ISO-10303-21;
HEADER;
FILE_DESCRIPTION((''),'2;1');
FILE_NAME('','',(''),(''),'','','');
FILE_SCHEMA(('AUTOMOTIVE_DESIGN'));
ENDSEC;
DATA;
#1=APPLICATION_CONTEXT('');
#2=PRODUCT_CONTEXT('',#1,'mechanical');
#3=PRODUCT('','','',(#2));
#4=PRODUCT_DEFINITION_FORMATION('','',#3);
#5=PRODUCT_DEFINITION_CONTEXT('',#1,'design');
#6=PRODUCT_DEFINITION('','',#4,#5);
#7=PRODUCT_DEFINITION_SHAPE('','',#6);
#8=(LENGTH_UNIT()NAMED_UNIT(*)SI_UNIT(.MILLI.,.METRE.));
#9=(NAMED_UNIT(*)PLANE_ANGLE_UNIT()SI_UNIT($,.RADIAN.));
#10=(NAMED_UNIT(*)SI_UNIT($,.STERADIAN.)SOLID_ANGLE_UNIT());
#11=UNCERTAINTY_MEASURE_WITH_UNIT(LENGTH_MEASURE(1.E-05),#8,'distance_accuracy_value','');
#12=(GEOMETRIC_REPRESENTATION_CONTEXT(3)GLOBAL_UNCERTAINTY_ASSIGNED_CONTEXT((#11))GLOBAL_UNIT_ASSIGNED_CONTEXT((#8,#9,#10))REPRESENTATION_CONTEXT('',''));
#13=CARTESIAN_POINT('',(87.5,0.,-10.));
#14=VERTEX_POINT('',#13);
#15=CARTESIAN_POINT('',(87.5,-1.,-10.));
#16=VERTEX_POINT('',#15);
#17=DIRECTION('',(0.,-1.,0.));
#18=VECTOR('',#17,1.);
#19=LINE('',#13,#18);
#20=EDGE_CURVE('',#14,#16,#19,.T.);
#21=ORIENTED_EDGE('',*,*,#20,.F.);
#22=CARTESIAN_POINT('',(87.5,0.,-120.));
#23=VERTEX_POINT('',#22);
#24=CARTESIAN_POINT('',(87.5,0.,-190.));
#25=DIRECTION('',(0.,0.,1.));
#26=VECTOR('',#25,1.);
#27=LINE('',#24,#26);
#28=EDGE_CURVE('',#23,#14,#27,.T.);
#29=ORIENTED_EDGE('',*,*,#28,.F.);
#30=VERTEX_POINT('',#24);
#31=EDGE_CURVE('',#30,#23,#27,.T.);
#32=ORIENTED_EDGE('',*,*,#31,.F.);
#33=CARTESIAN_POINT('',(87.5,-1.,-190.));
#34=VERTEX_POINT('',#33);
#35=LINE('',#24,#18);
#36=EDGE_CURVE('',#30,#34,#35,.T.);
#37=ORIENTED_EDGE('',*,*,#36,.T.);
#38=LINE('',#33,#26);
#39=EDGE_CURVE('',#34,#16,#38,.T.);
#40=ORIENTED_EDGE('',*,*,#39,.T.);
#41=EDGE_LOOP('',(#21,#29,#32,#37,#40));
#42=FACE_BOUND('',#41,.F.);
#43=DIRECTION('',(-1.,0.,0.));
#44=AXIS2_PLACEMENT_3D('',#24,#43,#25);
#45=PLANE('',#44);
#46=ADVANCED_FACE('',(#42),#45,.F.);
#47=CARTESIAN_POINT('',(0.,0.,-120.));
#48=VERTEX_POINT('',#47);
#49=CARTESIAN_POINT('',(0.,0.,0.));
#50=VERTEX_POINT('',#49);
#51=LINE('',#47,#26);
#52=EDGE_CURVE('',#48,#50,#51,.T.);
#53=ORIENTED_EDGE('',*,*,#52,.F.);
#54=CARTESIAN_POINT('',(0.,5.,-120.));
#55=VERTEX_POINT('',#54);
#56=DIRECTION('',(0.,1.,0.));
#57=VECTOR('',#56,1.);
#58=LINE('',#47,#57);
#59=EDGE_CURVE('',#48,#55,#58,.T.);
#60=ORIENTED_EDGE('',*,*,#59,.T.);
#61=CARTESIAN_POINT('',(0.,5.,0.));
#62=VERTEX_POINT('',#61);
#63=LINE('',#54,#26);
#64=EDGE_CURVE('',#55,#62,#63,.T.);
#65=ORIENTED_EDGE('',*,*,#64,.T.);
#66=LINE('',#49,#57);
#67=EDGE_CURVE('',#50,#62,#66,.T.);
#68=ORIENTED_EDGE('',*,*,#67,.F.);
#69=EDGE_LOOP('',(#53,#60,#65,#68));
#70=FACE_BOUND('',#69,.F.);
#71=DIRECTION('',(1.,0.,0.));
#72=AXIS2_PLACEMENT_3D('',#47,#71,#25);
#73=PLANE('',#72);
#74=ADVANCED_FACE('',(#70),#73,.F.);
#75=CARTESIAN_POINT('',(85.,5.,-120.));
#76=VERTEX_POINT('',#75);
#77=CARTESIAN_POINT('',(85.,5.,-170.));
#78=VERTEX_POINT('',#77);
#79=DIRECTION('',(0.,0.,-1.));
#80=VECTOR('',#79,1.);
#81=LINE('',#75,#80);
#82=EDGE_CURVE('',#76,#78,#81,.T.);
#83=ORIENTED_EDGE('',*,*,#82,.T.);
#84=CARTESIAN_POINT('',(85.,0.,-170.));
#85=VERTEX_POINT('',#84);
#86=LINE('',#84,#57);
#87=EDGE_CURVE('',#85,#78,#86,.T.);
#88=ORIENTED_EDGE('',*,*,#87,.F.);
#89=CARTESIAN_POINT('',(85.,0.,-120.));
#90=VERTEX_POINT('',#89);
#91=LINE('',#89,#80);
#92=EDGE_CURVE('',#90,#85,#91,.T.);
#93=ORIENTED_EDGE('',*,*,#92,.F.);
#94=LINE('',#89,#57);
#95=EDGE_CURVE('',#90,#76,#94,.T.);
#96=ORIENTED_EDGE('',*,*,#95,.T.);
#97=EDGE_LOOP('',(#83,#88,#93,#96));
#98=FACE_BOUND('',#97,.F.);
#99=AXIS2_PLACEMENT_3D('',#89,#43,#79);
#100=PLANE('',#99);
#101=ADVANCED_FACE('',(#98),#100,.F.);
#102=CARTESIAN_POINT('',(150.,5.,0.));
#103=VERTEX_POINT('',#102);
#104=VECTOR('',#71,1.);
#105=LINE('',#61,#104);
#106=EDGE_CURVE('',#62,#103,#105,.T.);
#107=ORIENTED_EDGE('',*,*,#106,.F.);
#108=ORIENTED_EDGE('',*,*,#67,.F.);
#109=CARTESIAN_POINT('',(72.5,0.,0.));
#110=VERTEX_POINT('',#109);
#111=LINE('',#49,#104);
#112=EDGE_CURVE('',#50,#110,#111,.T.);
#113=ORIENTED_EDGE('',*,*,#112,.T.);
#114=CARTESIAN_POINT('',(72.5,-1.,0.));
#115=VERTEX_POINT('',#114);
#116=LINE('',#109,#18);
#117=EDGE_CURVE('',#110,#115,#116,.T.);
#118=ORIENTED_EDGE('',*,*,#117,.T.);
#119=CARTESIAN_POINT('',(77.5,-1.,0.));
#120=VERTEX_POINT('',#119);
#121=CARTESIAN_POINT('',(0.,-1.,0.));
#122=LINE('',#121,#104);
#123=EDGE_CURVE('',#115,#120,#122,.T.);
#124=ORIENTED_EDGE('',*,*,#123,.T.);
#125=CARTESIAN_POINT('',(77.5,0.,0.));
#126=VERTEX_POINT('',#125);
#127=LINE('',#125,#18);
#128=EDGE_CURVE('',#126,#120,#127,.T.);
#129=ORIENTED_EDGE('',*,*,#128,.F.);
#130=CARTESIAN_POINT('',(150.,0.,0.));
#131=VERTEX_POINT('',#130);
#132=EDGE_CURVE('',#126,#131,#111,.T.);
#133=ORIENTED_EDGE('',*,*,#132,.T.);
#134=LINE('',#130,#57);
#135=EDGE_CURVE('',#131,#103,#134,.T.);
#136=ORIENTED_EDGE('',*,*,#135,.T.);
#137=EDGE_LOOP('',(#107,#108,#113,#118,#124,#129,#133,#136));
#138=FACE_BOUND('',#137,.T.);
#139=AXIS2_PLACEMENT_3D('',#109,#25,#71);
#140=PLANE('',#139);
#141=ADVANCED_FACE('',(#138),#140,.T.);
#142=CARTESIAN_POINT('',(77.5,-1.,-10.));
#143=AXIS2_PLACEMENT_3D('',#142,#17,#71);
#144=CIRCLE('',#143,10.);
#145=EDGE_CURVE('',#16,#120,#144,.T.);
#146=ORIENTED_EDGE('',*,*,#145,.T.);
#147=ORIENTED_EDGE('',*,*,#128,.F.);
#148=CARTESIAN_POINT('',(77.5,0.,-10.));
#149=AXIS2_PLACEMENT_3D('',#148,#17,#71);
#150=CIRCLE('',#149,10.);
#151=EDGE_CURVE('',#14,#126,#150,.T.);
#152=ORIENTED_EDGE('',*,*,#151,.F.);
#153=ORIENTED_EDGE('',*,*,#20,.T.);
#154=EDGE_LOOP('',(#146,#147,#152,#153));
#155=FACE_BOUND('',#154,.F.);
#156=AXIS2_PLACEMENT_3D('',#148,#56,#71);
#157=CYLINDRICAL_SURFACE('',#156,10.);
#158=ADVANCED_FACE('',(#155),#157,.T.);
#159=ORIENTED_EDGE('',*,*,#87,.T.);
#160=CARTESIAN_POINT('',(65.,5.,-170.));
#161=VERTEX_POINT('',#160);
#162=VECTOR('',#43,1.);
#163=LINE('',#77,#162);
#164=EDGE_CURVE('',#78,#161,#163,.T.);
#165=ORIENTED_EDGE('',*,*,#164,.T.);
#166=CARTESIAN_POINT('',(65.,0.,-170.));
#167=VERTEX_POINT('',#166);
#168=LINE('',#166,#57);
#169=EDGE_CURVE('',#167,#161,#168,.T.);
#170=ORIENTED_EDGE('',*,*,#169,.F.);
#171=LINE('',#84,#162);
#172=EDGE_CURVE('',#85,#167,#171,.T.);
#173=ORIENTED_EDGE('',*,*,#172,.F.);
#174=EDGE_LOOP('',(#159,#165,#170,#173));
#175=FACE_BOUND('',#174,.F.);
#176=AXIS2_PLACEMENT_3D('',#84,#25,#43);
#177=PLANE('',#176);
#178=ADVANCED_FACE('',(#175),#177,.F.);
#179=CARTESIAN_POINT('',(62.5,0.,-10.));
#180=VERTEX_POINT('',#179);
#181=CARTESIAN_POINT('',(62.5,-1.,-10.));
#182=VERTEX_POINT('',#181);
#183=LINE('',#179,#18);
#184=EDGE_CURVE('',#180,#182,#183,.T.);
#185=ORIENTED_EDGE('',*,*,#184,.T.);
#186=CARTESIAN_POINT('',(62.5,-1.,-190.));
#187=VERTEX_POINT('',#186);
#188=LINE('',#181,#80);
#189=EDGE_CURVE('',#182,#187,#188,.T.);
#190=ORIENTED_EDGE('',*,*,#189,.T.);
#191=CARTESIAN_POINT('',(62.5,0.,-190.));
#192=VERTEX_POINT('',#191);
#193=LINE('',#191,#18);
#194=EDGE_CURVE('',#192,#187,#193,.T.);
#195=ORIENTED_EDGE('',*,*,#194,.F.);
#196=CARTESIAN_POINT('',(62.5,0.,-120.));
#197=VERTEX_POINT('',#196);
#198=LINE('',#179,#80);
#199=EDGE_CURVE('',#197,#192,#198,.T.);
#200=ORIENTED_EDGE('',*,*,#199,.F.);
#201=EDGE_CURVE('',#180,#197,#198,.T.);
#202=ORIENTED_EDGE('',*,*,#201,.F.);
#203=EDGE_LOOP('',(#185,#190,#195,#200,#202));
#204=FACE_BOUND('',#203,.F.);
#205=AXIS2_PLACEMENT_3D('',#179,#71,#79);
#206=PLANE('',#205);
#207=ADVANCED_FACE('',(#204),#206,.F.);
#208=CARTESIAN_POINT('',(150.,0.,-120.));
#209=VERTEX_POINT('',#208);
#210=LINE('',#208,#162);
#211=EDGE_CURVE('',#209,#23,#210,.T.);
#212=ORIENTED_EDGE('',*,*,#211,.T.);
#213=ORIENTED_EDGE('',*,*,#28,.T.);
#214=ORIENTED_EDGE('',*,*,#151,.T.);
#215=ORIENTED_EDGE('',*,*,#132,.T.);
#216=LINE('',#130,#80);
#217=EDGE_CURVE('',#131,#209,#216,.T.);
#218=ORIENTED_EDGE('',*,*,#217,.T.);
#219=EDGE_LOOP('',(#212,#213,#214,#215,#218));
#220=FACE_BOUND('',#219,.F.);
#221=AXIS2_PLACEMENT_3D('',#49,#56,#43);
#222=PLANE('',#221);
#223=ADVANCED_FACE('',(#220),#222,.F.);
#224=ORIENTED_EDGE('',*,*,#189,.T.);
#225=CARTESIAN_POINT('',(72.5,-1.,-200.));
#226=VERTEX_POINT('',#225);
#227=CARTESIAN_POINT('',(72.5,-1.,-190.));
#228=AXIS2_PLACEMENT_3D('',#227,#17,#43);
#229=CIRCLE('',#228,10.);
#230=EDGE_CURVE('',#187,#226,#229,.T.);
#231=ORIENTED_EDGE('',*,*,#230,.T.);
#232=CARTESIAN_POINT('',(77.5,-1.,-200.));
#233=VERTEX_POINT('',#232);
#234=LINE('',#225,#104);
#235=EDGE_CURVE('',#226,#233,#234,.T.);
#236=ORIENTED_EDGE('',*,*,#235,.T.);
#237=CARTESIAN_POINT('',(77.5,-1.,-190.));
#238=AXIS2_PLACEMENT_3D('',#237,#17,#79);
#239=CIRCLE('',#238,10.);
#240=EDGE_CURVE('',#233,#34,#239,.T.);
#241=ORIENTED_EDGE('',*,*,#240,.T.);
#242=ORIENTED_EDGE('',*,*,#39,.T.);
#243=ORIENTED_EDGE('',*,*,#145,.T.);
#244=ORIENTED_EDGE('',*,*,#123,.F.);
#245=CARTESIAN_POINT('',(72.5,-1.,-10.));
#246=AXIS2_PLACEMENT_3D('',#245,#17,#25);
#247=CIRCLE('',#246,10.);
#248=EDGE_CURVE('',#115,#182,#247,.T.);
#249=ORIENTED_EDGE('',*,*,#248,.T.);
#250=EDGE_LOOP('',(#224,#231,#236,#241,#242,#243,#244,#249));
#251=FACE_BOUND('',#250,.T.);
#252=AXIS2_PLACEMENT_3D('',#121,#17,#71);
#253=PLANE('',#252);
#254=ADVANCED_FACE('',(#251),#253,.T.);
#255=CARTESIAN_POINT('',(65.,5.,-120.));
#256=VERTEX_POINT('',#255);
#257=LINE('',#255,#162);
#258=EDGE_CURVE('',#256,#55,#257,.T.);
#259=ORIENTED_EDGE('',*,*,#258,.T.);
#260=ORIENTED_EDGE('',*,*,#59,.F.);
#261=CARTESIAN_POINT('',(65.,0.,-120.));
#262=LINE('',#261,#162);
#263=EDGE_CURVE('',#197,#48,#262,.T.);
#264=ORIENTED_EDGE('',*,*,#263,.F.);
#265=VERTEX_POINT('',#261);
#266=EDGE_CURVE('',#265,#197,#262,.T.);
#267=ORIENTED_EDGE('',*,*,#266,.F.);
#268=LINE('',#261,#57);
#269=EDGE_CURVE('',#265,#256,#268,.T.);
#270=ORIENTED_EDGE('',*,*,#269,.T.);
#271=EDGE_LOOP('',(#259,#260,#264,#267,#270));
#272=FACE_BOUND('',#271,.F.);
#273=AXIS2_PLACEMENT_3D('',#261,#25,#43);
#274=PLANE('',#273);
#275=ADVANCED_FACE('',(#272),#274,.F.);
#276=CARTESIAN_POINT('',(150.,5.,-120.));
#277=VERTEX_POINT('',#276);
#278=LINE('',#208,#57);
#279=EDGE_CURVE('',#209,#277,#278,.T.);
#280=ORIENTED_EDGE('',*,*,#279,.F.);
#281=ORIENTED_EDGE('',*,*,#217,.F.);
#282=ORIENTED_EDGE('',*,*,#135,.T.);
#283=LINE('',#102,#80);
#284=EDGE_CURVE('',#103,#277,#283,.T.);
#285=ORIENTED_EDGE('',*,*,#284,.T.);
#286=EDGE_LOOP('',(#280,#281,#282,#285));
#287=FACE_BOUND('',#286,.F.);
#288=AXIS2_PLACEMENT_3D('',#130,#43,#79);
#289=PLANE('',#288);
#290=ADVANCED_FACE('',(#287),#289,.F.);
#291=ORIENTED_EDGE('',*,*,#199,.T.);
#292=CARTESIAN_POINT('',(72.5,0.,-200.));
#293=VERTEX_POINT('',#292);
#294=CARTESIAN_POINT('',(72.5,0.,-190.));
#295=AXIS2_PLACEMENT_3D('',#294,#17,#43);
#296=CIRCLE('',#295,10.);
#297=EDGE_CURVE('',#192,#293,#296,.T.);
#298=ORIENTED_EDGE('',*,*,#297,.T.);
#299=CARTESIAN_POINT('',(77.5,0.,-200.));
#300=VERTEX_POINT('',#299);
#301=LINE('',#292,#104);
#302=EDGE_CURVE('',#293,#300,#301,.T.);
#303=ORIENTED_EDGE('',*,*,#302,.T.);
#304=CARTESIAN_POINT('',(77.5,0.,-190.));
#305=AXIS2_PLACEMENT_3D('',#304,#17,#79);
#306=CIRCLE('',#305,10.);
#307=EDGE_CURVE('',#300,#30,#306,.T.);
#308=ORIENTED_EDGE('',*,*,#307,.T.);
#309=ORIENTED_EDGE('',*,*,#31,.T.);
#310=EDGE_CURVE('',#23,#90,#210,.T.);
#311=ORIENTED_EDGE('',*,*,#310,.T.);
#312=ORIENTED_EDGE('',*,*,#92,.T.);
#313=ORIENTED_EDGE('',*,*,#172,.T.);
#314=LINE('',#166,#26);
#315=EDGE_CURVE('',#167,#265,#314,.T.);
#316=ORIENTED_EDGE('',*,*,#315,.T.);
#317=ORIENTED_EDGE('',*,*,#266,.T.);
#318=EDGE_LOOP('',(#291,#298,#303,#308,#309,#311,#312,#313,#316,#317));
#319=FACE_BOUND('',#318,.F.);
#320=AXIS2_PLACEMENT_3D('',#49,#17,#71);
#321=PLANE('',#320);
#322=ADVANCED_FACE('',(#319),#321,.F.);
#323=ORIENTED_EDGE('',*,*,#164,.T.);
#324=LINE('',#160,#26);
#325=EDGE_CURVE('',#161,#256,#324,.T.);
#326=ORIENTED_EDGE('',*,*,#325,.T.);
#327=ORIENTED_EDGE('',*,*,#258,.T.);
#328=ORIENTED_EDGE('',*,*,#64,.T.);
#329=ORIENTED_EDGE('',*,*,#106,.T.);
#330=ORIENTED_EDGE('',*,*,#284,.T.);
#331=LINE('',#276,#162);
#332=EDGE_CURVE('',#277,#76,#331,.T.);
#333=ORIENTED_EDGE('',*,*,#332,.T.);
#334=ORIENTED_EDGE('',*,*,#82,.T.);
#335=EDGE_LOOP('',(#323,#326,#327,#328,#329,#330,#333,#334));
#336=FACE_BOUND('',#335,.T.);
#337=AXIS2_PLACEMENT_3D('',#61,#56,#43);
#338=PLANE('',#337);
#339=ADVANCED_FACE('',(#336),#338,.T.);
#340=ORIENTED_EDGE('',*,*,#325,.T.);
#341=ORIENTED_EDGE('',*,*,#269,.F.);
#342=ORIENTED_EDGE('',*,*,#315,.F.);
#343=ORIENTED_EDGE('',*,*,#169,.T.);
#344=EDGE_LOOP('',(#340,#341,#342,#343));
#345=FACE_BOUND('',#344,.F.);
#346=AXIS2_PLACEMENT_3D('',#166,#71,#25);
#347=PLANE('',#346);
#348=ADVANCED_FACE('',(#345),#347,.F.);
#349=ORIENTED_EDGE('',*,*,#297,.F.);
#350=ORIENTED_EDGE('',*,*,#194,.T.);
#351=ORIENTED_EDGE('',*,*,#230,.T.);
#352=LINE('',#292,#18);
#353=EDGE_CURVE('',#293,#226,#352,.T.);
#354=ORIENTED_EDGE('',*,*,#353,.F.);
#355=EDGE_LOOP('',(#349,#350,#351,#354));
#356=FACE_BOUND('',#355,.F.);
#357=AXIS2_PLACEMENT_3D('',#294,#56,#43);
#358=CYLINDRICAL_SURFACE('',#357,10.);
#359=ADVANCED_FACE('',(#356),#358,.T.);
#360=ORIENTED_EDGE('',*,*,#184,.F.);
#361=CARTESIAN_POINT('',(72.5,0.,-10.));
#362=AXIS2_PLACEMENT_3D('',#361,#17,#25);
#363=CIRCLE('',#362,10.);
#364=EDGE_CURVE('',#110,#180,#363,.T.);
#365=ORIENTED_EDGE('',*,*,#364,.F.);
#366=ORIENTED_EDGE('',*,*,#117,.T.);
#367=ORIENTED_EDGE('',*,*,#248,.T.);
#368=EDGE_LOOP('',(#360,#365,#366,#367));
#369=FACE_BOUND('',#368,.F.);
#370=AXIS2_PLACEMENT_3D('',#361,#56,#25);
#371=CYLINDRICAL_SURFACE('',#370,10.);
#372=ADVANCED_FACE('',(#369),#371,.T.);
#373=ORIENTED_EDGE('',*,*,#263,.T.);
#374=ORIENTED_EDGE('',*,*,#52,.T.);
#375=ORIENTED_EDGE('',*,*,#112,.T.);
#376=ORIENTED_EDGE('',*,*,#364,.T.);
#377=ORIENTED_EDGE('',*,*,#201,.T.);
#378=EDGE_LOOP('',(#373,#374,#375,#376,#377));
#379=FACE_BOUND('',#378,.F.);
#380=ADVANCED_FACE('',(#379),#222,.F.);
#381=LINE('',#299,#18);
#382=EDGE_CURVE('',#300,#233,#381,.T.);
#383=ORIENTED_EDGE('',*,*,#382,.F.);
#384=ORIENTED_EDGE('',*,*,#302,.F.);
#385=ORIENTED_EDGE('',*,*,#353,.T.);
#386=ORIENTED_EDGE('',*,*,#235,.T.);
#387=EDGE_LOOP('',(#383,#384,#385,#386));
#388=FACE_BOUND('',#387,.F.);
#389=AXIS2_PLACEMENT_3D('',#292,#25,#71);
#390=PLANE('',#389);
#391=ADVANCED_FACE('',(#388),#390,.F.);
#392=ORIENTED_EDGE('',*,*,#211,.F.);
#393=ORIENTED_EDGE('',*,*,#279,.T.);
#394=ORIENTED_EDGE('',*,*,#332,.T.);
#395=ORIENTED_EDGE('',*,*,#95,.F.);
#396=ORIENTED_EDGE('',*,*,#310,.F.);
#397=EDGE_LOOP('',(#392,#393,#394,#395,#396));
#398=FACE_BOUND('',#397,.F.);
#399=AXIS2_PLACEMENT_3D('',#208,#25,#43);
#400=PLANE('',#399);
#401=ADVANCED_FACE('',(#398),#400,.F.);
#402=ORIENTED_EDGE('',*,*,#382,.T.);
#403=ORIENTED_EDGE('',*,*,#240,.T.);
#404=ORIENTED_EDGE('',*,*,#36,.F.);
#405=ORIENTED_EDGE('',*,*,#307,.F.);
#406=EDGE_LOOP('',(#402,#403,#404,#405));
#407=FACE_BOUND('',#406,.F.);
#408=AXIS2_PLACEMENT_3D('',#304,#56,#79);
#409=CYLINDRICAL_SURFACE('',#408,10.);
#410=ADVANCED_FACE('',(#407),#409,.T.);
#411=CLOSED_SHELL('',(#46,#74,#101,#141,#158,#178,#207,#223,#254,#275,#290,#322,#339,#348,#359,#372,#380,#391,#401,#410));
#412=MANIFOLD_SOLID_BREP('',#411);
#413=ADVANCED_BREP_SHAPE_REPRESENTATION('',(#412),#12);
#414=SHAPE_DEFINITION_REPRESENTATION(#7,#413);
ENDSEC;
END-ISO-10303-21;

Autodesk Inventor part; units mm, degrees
ref_plane "YZ Plane" through (0, 0, 0) normal (1, 0, 0) x (0, 1, 0)
ref_plane "XZ Plane" through (0, 0, 0) normal (0, 1, 0) x (-1, 0, 0)
ref_plane "XY Plane" through (0, 0, 0) normal (0, 0, 1) x (1, 0, 0)
sketch "Sketch1" plane through (0, 0, 0) normal (0, 1, 0) x (-1, 0, 0)
  line L0 (0, 0) -> (-150, 0)
  line L1 (-150, 0) -> (-150, -120)
  line L2 (0, -120) -> (0, 0)
  line L3 (-65, -120) -> (-85, -120)
  line L4 (-85, -120) -> (-85, -170)
  line L5 (-85, -170) -> (-65, -170)
  line L6 (-65, -170) -> (-65, -120)
  line L7 (-150, -120) -> (-85, -120)
  line L8 (-65, -120) -> (0, -120)
  dimension "d0" = 150
  dimension "d1" = 120
  dimension "d2" = 20
  dimension "d3" = 50
extrude "Extrusion1" add sketch "Sketch1" along normal blind 5
sketch "Sketch2" plane through (0, 0, 0) normal (0, -1, 0) x (1, 0, 0)
  line L0 (0, 0) -> (150, 0) projected
  line L1 (77.5, 0) -> (72.5, 0)
  line L2 (62.5, -10) -> (62.5, -190)
  line L3 (72.5, -200) -> (77.5, -200)
  line L4 (87.5, -190) -> (87.5, -10)
  arc A0 (62.5, -190) -> (72.5, -200) centre (72.5, -190) ccw
  arc A1 (77.5, -200) -> (87.5, -190) centre (77.5, -190) ccw
  arc A2 (72.5, 0) -> (62.5, -10) centre (72.5, -10) ccw
  arc A3 (87.5, -10) -> (77.5, 0) centre (77.5, -10) ccw
  point P0 (87.5, 0)
  point P1 (62.5, -200)
  point P2 (62.5, 0)
  point P3 (87.5, -200)
  dimension "d6" = 25
  dimension "d7" = 200
  dimension "d8" = 10
extrude "Extrusion2" add sketch "Sketch2" along normal blind 1
properties part number "base"
